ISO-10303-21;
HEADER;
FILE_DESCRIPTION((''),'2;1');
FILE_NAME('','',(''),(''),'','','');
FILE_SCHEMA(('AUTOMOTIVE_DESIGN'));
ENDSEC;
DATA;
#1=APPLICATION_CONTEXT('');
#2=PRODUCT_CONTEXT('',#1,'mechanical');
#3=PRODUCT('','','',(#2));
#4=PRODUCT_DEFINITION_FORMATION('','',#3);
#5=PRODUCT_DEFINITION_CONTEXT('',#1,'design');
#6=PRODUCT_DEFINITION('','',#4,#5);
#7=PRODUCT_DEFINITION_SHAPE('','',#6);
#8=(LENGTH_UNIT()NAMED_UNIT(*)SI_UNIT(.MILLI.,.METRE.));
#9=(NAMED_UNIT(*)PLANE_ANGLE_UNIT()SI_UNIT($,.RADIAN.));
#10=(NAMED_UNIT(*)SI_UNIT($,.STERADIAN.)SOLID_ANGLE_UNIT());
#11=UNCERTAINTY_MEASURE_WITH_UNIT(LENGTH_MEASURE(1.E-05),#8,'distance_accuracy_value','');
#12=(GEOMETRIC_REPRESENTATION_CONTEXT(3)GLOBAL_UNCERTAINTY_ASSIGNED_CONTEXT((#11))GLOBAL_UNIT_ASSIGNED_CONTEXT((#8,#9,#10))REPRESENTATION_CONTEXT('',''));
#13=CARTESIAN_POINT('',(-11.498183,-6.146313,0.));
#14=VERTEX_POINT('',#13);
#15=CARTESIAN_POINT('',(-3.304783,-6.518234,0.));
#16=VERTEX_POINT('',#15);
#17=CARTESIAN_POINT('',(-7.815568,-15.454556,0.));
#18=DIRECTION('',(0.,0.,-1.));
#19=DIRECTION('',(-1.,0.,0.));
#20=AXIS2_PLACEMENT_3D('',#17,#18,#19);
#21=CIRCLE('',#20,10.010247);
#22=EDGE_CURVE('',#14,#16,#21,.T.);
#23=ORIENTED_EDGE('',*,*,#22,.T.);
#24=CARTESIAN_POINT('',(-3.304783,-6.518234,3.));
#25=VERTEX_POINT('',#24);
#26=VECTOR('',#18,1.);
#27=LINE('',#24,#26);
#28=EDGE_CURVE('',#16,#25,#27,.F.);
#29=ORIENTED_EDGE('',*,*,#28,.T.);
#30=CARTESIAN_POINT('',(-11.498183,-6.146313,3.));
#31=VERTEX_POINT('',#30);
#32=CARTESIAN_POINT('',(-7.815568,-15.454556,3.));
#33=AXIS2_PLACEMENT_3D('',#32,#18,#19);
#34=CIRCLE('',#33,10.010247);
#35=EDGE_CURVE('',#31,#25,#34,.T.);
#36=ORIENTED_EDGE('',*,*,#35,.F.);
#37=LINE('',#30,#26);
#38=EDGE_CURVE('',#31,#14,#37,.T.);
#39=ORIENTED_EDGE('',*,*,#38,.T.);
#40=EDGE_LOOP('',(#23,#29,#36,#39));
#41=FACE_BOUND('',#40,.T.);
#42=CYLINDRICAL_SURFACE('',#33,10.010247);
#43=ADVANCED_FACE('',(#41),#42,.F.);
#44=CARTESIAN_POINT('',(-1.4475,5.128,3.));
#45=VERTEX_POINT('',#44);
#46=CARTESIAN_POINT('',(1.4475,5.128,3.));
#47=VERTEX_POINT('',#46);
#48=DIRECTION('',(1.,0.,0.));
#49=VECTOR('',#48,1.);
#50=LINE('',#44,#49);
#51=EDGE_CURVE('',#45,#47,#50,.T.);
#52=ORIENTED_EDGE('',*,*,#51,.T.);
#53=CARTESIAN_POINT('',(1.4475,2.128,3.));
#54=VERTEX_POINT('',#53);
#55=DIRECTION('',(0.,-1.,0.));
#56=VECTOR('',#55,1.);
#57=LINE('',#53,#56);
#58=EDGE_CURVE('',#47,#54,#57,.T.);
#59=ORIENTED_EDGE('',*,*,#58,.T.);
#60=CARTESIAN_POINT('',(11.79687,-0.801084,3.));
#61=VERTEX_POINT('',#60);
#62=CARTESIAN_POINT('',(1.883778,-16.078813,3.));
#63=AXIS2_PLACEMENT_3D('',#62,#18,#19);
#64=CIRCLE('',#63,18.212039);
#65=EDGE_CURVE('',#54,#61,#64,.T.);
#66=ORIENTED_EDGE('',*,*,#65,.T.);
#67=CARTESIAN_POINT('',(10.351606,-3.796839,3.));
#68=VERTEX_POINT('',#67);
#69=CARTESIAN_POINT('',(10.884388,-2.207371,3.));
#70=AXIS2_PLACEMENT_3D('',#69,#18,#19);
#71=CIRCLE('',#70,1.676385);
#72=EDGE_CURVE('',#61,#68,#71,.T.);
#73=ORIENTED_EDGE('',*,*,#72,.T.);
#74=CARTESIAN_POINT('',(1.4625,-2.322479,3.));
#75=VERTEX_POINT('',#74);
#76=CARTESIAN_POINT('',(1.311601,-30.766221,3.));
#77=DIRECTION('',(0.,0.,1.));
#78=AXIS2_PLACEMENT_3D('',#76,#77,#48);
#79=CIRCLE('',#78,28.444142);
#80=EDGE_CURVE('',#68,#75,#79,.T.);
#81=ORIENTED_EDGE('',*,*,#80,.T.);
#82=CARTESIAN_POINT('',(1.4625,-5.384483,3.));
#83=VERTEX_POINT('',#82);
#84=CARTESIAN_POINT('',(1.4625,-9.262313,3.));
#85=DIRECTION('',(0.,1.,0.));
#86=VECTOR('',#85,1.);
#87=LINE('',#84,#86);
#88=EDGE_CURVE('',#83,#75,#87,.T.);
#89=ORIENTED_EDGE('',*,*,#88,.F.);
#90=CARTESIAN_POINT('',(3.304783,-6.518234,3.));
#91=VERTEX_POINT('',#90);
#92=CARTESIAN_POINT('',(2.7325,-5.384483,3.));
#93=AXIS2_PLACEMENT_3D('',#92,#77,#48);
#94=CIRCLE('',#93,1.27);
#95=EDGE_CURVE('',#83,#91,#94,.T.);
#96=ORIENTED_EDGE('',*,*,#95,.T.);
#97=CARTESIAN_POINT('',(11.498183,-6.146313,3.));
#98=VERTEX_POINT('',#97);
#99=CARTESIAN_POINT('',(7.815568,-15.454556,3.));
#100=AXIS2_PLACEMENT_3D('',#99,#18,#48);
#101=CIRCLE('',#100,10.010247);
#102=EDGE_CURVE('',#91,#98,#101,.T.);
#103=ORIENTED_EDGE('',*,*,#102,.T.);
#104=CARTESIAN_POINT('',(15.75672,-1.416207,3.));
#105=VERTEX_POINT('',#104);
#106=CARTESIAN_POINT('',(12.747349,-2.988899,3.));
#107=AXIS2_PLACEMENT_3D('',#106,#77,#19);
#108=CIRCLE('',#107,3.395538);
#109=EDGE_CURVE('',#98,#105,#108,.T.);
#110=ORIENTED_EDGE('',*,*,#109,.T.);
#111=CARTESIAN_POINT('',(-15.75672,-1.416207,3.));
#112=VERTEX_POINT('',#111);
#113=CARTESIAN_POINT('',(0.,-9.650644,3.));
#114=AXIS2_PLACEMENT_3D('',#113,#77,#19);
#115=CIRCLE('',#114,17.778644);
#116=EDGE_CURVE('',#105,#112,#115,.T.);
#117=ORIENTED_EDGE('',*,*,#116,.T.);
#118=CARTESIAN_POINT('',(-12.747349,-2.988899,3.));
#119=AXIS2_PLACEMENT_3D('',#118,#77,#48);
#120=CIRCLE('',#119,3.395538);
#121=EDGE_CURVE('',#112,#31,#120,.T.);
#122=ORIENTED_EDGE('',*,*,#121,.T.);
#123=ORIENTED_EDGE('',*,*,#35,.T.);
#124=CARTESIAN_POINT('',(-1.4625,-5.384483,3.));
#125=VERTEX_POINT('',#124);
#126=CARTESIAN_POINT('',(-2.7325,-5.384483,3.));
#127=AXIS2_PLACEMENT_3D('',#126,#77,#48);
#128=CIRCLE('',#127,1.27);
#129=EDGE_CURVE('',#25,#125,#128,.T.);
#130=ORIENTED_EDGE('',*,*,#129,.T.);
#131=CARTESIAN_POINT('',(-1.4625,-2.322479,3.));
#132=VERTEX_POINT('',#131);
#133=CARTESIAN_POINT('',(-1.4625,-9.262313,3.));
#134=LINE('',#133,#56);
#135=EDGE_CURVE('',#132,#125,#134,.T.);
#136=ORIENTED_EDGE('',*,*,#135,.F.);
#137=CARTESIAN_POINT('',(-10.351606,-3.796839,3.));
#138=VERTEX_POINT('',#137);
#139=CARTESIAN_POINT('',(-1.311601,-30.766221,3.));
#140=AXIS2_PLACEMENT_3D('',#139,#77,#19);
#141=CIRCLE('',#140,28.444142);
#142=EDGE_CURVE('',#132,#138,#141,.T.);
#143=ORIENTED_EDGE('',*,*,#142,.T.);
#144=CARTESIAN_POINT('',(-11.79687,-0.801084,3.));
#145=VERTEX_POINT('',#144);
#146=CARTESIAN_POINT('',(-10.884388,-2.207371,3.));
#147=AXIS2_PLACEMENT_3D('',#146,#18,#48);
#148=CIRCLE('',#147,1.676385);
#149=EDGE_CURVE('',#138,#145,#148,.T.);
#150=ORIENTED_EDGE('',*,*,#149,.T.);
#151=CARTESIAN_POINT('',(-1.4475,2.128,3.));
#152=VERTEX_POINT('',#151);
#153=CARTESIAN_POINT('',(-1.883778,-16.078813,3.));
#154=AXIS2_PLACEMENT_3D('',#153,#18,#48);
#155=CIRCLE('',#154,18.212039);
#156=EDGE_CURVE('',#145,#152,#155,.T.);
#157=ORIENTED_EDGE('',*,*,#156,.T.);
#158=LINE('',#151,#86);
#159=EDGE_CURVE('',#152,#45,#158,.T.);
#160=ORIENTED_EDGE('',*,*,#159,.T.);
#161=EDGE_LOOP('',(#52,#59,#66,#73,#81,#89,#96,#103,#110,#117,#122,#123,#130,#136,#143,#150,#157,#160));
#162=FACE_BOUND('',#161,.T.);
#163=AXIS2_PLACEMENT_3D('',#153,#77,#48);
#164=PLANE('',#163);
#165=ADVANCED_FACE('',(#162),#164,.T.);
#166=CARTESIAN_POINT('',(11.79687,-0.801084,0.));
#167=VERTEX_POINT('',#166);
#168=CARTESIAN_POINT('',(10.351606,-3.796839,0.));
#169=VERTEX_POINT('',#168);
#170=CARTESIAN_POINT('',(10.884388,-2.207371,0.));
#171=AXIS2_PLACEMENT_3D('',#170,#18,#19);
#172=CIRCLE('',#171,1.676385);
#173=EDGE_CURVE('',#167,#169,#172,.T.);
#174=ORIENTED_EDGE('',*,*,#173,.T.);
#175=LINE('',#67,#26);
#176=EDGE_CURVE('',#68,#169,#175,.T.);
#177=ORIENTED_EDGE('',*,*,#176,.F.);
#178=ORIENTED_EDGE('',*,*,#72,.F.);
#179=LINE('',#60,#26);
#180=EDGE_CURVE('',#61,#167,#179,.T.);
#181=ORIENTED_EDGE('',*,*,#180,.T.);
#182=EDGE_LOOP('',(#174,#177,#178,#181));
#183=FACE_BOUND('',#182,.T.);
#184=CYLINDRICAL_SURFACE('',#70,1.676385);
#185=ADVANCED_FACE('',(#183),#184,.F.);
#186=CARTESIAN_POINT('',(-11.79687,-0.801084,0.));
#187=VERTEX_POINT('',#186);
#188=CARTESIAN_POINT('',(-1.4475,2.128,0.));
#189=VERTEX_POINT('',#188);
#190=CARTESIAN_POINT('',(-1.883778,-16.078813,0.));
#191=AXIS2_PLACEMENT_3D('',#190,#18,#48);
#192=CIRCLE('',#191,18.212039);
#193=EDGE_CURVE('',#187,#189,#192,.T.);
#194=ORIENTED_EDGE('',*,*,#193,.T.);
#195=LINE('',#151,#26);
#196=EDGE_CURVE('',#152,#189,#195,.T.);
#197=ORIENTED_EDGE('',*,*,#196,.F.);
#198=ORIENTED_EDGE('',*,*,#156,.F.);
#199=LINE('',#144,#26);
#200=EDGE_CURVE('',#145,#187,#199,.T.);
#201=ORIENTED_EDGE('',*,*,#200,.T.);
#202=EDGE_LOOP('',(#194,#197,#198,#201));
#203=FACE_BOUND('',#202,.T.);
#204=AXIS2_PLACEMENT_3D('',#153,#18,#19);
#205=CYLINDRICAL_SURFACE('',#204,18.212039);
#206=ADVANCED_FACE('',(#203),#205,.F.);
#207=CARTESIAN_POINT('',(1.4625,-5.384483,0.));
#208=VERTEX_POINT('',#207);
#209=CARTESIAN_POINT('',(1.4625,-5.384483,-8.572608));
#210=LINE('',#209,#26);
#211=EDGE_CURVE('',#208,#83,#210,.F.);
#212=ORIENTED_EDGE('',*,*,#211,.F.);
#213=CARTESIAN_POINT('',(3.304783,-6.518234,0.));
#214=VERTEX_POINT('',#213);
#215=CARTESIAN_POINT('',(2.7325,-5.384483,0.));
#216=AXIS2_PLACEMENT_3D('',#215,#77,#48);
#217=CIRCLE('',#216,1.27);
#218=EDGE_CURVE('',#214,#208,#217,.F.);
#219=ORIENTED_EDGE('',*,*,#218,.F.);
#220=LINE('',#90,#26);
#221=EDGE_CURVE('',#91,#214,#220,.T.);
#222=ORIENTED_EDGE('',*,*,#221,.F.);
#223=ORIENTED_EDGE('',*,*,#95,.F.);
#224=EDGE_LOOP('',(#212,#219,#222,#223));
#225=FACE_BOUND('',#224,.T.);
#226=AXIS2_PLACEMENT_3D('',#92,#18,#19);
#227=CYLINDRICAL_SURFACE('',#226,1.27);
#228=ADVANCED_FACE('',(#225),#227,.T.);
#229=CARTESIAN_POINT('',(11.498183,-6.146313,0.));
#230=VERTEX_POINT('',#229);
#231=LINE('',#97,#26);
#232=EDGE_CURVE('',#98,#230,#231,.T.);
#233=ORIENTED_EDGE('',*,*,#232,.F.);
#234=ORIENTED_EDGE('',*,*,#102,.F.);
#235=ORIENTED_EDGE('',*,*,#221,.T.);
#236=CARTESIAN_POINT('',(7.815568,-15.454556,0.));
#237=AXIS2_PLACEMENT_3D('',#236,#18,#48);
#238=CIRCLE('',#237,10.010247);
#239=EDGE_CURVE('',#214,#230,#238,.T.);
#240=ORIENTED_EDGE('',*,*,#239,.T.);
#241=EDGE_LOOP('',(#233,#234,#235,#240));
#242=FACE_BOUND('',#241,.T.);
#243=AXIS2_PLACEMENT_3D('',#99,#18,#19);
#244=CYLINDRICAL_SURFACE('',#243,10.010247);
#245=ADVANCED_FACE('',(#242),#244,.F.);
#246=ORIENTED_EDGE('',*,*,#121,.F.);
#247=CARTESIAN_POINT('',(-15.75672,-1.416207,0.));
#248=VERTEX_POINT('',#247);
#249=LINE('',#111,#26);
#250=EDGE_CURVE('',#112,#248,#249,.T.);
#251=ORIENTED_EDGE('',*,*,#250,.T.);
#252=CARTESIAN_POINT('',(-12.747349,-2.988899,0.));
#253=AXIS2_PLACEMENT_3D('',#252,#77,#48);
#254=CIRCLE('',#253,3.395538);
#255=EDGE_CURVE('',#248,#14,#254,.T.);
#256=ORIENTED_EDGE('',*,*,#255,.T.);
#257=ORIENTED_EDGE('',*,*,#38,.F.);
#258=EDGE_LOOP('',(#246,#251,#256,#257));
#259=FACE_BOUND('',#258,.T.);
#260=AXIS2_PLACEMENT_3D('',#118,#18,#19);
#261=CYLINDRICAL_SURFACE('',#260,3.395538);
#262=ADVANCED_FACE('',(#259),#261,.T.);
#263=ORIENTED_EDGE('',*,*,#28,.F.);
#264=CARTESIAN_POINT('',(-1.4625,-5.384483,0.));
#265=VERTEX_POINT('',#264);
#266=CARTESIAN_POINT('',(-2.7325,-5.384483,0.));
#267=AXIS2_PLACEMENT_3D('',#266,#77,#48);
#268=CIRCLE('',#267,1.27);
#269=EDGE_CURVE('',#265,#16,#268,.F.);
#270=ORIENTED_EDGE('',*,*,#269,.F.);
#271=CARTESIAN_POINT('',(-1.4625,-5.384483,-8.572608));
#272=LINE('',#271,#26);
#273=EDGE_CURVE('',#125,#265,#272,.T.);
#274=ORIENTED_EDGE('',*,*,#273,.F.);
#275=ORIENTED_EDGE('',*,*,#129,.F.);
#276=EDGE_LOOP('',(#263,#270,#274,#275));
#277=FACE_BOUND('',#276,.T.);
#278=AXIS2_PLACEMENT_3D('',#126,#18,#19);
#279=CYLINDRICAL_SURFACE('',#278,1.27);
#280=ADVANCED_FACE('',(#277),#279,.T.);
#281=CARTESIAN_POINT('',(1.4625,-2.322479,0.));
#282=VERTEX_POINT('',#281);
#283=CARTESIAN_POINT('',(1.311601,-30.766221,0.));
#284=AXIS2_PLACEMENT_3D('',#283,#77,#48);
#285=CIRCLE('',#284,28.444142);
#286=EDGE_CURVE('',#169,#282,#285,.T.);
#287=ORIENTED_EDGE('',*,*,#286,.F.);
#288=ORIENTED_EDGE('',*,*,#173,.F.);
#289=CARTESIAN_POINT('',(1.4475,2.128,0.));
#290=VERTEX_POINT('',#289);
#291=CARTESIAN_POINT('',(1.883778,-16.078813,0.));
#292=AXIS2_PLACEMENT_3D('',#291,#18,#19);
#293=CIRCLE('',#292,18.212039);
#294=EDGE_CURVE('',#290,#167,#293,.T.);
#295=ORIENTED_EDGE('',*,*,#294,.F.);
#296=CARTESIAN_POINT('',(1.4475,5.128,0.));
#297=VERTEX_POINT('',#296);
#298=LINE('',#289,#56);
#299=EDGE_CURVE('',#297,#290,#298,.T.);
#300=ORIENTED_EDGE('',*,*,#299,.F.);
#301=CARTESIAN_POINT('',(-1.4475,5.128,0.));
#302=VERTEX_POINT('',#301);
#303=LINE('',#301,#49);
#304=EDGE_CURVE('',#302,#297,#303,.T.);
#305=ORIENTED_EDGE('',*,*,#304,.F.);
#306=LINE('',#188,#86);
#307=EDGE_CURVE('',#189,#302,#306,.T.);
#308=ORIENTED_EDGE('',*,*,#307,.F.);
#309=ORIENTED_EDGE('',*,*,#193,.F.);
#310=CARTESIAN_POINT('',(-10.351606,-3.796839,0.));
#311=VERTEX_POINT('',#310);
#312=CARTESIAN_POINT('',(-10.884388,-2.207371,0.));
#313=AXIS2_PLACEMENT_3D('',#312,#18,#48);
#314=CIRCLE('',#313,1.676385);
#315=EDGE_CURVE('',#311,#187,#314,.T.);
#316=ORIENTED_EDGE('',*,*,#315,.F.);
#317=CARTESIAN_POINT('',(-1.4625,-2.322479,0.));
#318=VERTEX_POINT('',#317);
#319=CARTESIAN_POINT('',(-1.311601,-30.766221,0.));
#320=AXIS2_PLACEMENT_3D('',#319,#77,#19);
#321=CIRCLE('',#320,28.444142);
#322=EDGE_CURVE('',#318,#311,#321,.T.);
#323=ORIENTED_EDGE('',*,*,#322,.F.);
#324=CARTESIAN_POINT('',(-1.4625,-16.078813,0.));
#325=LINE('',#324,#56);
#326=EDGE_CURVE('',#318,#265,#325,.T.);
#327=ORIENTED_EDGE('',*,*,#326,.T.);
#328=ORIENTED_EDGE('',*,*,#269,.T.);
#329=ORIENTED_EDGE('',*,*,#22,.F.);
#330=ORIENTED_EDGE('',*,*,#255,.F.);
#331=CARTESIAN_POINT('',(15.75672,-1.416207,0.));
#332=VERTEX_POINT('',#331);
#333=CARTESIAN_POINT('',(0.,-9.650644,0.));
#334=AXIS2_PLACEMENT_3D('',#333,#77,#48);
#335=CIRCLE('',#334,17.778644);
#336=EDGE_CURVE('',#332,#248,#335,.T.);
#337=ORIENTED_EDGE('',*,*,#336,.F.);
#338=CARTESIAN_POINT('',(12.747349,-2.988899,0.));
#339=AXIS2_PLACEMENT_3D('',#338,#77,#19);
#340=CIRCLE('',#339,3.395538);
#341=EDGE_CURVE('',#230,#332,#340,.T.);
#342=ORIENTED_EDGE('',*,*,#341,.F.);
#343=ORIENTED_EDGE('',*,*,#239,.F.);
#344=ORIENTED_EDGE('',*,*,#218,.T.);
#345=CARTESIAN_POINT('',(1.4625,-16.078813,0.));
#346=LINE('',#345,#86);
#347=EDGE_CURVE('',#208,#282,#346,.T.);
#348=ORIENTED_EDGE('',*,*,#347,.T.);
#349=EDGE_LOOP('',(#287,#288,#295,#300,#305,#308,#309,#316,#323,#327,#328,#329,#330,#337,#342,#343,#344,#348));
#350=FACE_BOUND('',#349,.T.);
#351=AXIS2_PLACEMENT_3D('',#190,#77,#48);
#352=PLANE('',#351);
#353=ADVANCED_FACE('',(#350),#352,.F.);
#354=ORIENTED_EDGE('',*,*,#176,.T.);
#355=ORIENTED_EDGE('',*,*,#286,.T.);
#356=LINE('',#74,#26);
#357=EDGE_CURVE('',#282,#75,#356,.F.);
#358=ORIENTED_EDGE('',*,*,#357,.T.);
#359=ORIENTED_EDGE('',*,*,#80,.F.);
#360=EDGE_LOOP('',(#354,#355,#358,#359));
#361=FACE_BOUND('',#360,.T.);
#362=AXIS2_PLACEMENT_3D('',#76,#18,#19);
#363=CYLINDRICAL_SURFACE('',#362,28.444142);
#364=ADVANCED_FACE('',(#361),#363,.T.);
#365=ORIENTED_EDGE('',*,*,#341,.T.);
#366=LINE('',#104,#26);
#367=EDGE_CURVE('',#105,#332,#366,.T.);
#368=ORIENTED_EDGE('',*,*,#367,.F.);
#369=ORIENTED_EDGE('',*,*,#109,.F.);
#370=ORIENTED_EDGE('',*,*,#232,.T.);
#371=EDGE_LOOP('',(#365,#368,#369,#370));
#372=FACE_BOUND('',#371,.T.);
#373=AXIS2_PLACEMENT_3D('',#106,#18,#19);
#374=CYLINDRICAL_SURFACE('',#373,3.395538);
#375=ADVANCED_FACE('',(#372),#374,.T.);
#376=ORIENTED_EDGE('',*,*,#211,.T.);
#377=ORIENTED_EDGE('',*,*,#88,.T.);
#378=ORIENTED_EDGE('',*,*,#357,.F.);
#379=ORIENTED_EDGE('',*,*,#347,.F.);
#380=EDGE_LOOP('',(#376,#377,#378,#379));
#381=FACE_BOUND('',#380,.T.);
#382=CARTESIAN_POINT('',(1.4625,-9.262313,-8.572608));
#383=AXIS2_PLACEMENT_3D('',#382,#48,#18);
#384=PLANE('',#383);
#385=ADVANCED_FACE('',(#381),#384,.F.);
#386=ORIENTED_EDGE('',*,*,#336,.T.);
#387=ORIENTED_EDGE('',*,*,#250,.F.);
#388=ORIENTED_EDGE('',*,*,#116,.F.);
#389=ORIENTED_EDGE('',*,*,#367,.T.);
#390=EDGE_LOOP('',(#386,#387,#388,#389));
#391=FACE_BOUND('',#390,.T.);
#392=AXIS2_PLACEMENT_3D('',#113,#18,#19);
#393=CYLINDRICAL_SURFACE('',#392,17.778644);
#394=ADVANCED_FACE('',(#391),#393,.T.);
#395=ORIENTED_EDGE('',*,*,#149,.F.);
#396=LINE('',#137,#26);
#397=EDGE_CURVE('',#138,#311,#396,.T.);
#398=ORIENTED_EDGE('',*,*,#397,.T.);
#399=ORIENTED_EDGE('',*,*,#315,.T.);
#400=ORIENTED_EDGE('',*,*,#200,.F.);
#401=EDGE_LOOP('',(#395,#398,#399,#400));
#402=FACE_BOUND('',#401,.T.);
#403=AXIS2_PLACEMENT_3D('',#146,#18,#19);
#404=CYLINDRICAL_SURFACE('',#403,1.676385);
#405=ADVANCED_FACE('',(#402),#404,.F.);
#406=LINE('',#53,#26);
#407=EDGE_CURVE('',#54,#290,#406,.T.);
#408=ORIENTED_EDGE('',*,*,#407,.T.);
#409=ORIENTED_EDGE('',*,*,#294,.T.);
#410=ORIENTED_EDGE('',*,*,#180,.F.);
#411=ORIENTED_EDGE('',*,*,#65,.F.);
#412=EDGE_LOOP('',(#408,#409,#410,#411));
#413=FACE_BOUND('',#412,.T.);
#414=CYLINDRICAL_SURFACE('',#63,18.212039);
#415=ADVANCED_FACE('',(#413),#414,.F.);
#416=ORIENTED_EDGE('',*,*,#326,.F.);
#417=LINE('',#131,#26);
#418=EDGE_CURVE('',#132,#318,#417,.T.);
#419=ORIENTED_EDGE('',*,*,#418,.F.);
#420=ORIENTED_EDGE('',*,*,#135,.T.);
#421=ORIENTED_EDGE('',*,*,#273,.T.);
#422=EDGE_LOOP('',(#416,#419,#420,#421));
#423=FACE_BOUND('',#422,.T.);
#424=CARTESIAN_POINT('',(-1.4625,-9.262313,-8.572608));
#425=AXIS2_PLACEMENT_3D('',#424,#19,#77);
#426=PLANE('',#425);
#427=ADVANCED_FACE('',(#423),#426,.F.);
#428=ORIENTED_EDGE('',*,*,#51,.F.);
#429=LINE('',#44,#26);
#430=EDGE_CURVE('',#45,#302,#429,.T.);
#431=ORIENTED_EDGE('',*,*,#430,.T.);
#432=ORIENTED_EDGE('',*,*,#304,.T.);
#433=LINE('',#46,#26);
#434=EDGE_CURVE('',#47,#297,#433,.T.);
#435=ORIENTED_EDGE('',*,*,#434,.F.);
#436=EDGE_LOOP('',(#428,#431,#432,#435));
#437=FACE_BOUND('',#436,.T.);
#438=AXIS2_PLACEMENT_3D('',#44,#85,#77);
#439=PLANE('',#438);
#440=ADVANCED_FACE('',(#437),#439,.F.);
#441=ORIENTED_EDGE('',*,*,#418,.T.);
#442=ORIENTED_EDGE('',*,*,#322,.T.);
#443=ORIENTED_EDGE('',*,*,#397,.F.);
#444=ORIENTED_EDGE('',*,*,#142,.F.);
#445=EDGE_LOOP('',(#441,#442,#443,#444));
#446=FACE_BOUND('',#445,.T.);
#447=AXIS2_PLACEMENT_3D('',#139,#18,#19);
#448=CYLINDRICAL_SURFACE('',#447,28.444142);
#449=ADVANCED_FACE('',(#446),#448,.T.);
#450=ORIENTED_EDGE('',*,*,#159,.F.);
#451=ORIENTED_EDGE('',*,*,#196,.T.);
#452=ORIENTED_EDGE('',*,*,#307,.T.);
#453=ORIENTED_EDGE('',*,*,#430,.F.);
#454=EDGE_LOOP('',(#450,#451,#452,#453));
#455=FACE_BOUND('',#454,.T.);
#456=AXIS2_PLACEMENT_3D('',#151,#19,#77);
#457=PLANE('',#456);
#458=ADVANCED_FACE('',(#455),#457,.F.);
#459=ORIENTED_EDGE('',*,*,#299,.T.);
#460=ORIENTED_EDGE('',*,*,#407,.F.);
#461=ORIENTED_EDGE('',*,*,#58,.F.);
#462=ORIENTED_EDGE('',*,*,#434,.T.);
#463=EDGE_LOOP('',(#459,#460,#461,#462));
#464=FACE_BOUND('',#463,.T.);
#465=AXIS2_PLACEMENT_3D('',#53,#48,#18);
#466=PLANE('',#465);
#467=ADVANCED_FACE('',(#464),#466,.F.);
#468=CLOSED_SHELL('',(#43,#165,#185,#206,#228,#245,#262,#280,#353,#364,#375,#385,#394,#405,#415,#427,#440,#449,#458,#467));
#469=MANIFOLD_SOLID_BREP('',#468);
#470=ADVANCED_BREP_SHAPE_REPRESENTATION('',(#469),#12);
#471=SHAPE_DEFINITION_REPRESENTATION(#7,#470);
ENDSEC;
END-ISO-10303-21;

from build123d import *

# Parameters (mm, degrees)
EXTRUDE_1_DEPTH     = 3
SKETCH_2_W          = 2.925
SKETCH_2_H          = 8.058162309
CUT_EXTRUDE_1_DEPTH = 3
FILLET_1_R          = 1.27


with BuildPart() as part:
    # 스케치1 → 보스-돌출1 (new body)
    with BuildSketch(Plane.XY):
        with BuildLine():
            Line((-1.4475, 2.128), (-1.4475, 5.128))
            Line((-1.4475, 5.128), (1.4475, 5.128))
            Line((1.4475, 5.128), (1.4475, 2.128))
            ThreePointArc((1.4475, 2.128), (6.843352857, 1.44491364), (11.796869597, -0.801084345))
            ThreePointArc((11.796869597, -0.801084345), (12.394248626, -2.935784128), (10.351605925, -3.7968391))
            ThreePointArc((10.351605925, -3.7968391), (5.891355798, -2.693189603), (1.311601441, -2.322078509))
            Line((1.311601441, -2.322078509), (1.311601441, -7.845124291))
            ThreePointArc((1.311601441, -7.845124291), (6.16890602, -5.580674334), (11.498183086, -6.146313204))
            ThreePointArc((11.498183086, -6.146313204), (15.270849943, -5.260819217), (15.756720066, -1.416206748))
            ThreePointArc((15.756720066, -1.416206748), (9.210946066, 5.555889316), (0, 8.128))
            ThreePointArc((0, 8.128), (-9.210946066, 5.555889316), (-15.756720066, -1.416206748))
            ThreePointArc((-15.756720066, -1.416206748), (-15.270849943, -5.260819217), (-11.498183086, -6.146313204))
            ThreePointArc((-11.498183086, -6.146313204), (-6.16890602, -5.580674334), (-1.311601441, -7.845124291))
            Line((-1.311601441, -7.845124291), (-1.311601441, -2.322078509))
            ThreePointArc((-1.311601441, -2.322078509), (-5.891355798, -2.693189603), (-10.351605925, -3.7968391))
            ThreePointArc((-10.351605925, -3.7968391), (-12.394248626, -2.935784128), (-11.796869597, -0.801084345))
            ThreePointArc((-11.796869597, -0.801084345), (-6.843352857, 1.44491364), (-1.4475, 2.128))
        make_face()
    extrude(amount=EXTRUDE_1_DEPTH)

    # 스케치2 → 컷-돌출1 (cut)
    with BuildSketch(Plane.XY.offset(3)):
        with Locations((0, -5.233231355)):
            Rectangle(SKETCH_2_W, SKETCH_2_H)
    extrude(amount=-CUT_EXTRUDE_1_DEPTH, mode=Mode.SUBTRACT)

    # 필렛1
    fillet_1_edges = [part.edges().sort_by_distance(p)[0] for p in [
        (1.4625, -7.718694121, 1.5),
        (-1.4625, -7.718694121, 1.5),
    ]]
    fillet(fillet_1_edges, radius=FILLET_1_R)


solid = part.part
